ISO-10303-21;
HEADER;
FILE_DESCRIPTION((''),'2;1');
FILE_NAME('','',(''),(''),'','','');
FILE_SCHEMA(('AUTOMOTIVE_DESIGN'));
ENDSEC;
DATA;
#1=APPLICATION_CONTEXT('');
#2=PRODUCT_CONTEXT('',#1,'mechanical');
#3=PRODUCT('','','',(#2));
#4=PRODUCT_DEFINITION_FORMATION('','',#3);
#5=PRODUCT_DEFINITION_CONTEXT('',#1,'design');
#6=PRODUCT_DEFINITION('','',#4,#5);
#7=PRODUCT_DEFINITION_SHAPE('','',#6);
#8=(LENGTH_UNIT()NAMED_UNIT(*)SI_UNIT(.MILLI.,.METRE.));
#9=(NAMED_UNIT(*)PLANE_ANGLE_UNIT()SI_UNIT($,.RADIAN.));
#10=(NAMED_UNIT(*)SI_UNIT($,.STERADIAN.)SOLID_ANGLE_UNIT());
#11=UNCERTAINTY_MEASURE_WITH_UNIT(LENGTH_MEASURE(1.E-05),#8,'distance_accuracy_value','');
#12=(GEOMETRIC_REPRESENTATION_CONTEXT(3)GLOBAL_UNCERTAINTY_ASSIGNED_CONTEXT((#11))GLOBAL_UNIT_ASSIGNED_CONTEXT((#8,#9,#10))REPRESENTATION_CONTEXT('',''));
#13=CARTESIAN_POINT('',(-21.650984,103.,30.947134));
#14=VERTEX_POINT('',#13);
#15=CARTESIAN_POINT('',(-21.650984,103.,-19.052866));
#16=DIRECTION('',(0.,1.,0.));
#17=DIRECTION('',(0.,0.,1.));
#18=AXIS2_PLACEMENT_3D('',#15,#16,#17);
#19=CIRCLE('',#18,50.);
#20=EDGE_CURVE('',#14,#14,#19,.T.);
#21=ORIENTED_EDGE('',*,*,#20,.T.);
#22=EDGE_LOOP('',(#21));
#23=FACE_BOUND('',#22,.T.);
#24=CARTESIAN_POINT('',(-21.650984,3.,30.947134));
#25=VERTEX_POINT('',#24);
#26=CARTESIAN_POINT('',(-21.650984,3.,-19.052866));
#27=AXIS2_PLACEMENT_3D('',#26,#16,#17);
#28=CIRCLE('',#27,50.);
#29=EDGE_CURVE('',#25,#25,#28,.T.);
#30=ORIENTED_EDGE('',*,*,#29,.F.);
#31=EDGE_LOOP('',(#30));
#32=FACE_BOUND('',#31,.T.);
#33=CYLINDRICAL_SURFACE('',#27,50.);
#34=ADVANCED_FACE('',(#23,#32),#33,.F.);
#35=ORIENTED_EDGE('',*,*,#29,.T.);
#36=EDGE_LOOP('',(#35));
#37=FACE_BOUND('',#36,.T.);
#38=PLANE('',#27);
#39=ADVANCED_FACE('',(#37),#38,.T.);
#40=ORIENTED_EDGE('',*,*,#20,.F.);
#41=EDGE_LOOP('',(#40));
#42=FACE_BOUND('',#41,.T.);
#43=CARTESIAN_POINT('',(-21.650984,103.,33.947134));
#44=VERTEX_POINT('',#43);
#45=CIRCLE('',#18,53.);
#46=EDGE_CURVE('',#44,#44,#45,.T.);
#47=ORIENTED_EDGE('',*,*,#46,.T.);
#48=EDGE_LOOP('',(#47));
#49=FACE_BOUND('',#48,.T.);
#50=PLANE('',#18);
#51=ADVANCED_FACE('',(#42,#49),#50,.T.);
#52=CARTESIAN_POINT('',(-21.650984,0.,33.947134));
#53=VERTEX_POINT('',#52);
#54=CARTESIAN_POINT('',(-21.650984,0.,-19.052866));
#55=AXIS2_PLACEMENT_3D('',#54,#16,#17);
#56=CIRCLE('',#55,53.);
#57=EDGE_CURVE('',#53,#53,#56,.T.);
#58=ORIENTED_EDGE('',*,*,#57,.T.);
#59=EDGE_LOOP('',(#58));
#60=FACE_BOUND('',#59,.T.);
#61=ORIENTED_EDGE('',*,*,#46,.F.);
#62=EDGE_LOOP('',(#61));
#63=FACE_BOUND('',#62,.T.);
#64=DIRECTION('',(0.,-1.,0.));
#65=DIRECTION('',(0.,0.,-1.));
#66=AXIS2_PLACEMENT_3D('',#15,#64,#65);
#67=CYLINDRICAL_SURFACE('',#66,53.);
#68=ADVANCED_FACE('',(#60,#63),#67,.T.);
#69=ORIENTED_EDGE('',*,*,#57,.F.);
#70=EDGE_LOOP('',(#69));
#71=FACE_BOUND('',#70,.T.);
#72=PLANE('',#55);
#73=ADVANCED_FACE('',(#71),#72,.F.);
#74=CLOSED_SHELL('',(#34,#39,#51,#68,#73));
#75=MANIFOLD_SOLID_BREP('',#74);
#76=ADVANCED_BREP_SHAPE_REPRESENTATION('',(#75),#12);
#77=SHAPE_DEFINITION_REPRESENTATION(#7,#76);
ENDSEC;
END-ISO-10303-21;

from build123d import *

# Parameters (mm, degrees)
SKETCH1_R           = 53
BOSS_EXTRUDE1_DEPTH = 103
SKETCH2_R           = 50
CUT_EXTRUDE1_DEPTH  = 100


with BuildPart() as part:
    # Sketch1 → Boss-Extrude1 (new body)
    with BuildSketch(Plane(origin=(0, 0, 0), x_dir=(1, 0, 0), z_dir=(0, 1, 0))):
        with Locations(Location((-21.650983604, 19.052865571, 0), (0, 0, 270))):
            Circle(SKETCH1_R)
    extrude(amount=BOSS_EXTRUDE1_DEPTH)

    # Sketch2 → Cut-Extrude1 (cut)
    with BuildSketch(Plane(origin=(0, 103, 0), x_dir=(1, 0, 0), z_dir=(0, 1, 0))):
        with Locations(Location((-21.650983604, 19.052865571, 0), (0, 0, 270))):
            Circle(SKETCH2_R)
    extrude(amount=-CUT_EXTRUDE1_DEPTH, mode=Mode.SUBTRACT)


solid = part.part
